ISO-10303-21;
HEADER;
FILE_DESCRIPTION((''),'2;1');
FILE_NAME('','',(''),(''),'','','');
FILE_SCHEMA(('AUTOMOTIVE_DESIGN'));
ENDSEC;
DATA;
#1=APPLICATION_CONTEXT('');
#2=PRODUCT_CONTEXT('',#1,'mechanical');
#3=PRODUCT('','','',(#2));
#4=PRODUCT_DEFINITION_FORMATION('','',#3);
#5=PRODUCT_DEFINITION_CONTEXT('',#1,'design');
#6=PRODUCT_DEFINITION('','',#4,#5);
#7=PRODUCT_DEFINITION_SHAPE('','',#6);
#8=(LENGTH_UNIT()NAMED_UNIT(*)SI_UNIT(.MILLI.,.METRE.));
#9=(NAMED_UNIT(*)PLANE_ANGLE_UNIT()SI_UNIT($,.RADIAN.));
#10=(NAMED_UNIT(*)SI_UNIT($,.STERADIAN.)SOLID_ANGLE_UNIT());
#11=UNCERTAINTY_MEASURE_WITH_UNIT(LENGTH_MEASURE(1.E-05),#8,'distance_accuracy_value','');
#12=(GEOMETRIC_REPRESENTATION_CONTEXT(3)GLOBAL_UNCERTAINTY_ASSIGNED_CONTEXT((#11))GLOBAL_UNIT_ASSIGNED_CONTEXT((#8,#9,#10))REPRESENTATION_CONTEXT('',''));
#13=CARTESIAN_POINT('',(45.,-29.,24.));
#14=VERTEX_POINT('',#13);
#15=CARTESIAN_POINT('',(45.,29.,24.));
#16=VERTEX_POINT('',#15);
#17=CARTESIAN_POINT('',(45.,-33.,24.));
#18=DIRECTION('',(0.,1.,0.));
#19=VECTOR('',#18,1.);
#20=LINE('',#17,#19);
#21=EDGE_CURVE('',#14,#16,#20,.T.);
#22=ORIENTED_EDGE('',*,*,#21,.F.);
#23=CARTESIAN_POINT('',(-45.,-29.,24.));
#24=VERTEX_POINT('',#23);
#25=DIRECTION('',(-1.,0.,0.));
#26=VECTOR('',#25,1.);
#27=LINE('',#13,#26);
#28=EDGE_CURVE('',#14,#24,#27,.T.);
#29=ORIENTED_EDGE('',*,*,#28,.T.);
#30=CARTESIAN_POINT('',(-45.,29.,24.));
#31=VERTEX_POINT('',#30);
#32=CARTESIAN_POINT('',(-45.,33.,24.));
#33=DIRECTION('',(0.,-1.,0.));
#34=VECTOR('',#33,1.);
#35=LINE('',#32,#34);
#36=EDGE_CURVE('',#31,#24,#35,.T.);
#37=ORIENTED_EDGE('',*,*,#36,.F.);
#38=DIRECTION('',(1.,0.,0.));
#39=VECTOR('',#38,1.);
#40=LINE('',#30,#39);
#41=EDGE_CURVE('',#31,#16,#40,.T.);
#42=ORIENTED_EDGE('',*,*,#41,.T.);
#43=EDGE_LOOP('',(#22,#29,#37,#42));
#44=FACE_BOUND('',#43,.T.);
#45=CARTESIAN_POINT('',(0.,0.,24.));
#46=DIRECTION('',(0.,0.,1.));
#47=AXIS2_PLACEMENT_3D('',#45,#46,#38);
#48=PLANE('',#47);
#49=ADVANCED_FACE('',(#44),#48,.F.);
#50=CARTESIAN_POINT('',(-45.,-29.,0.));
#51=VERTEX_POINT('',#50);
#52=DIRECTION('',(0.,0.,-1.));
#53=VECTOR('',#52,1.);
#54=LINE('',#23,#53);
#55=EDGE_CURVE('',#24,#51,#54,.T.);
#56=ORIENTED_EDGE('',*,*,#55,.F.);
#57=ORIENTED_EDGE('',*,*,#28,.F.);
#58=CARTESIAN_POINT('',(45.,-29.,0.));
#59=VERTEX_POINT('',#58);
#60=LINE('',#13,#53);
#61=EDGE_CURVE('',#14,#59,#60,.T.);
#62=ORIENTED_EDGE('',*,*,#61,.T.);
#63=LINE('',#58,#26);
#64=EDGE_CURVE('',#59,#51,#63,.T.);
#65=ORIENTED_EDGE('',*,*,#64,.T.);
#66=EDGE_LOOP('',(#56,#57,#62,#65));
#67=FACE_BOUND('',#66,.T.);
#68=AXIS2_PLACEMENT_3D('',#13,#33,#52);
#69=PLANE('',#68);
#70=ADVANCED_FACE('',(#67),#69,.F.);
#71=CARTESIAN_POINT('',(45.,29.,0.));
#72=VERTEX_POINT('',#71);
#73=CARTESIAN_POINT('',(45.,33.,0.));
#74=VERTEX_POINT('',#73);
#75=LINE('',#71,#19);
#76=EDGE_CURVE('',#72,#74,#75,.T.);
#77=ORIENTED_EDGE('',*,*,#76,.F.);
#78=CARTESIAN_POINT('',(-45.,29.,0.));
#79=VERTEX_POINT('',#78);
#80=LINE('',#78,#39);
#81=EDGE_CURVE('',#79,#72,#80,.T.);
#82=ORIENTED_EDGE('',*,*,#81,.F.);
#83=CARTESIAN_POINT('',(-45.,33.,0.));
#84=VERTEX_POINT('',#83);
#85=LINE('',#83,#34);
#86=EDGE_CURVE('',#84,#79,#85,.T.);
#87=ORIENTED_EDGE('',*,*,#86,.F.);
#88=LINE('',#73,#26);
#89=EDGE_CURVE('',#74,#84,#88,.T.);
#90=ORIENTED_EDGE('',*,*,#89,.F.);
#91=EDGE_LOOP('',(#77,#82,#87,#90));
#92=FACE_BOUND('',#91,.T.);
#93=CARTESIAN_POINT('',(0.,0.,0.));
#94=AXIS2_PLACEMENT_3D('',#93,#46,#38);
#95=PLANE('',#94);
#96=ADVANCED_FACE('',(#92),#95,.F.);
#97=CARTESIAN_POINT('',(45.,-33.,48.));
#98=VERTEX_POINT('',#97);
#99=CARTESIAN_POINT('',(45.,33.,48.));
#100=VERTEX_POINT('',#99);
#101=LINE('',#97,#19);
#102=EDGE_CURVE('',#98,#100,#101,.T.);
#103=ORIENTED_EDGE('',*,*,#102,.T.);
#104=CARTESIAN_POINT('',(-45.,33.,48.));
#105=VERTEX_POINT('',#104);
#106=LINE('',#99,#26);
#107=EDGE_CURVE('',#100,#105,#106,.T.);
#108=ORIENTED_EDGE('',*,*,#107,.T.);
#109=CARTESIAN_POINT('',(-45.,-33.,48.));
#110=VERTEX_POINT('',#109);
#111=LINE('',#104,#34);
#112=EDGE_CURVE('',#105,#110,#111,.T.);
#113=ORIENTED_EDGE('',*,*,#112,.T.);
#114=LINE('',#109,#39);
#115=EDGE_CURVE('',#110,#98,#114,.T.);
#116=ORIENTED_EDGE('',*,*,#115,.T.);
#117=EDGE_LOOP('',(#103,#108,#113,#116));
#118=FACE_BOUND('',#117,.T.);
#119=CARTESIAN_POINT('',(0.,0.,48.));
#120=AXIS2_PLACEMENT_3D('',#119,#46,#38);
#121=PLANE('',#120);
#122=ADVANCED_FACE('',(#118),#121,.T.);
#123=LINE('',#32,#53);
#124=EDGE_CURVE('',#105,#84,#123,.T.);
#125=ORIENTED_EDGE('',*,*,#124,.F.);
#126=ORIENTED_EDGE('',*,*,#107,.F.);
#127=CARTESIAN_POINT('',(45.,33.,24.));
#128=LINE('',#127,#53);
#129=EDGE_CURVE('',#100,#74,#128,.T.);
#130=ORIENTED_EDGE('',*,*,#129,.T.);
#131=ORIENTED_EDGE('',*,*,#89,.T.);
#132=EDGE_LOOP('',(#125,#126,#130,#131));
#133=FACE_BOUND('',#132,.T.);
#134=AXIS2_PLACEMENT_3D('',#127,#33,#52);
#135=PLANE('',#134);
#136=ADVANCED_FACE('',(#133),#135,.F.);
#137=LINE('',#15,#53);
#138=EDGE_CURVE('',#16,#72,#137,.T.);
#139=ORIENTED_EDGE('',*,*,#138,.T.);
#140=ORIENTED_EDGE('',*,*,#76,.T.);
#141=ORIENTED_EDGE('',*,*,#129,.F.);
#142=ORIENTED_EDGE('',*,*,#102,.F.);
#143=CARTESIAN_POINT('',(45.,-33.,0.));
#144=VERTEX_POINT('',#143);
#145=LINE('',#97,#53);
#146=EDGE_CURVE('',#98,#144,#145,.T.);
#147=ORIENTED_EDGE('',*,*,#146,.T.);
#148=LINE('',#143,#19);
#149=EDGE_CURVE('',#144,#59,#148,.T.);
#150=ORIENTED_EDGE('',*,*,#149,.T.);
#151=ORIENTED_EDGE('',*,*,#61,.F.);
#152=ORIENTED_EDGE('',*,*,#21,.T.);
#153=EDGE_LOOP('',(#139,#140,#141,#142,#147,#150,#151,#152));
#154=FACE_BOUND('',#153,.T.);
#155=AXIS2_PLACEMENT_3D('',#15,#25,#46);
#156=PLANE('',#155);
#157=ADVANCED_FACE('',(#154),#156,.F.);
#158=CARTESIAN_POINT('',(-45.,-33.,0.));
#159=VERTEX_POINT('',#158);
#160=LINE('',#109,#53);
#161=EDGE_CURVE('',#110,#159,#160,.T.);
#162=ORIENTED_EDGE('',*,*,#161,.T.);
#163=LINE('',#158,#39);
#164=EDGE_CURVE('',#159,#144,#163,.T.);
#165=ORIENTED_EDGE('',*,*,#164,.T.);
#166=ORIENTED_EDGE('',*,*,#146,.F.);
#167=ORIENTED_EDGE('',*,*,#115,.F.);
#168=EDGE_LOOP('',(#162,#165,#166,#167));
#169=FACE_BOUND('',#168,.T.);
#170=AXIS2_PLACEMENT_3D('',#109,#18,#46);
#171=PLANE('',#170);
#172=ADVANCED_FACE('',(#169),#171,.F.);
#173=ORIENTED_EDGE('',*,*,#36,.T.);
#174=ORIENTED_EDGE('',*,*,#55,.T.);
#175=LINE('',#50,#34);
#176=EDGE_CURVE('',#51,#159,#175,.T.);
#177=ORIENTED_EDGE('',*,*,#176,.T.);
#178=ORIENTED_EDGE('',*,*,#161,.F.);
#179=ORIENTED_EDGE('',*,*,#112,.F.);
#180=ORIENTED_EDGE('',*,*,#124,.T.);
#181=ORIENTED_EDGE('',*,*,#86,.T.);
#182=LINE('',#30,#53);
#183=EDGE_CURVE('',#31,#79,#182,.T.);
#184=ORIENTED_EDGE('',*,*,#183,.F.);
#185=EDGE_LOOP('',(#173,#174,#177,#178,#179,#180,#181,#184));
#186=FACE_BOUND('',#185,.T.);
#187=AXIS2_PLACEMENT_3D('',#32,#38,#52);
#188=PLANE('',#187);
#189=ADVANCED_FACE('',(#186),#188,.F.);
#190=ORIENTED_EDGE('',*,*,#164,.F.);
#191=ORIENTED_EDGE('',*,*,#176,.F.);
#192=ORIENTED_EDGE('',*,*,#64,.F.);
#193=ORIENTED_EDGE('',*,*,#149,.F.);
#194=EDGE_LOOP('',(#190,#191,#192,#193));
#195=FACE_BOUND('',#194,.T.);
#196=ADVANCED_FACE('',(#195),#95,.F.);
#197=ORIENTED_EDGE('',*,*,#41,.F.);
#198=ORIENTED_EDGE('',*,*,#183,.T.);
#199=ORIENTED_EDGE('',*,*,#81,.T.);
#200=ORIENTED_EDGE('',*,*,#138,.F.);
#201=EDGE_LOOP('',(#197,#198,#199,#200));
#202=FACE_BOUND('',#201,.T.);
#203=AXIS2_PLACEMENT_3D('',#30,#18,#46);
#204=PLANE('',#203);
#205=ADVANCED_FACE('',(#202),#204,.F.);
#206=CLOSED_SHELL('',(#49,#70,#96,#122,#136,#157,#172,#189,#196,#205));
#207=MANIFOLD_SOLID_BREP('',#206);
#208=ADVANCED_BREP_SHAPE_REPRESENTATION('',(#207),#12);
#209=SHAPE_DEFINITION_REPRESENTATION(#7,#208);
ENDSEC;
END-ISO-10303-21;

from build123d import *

# Parameters (mm, degrees)
SKETCH_1_W      = 90
SKETCH_1_H      = 4
EXTRUDE_1_DEPTH = 24
SKETCH_2_W      = 90
SKETCH_2_H      = 4
EXTRUDE_2_DEPTH = 24
SKETCH_3_W      = 90
SKETCH_3_H      = 66
EXTRUDE_3_DEPTH = 24


with BuildPart() as part:
    # 草图1 → 凸台-拉伸1 (new body)
    with BuildSketch(Plane.XY):
        with Locations((0, 31)):
            Rectangle(SKETCH_1_W, SKETCH_1_H)
    extrude(amount=EXTRUDE_1_DEPTH)



with BuildPart() as body_2:
    # 草图2 → 凸台-拉伸2 (new body)
    with BuildSketch(Plane.XY):
        with Locations((0, -31)):
            Rectangle(SKETCH_2_W, SKETCH_2_H)
    extrude(amount=EXTRUDE_2_DEPTH)


with BuildPart() as part_1:
    add(part.part)

    add(body_2.part)  # 凸台-拉伸3 merges body 2
    # 草图3 → 凸台-拉伸3 (add)
    with BuildSketch(Plane.XY.offset(24)):
        Rectangle(SKETCH_3_W, SKETCH_3_H)
    extrude(amount=EXTRUDE_3_DEPTH)


solid = part_1.part
